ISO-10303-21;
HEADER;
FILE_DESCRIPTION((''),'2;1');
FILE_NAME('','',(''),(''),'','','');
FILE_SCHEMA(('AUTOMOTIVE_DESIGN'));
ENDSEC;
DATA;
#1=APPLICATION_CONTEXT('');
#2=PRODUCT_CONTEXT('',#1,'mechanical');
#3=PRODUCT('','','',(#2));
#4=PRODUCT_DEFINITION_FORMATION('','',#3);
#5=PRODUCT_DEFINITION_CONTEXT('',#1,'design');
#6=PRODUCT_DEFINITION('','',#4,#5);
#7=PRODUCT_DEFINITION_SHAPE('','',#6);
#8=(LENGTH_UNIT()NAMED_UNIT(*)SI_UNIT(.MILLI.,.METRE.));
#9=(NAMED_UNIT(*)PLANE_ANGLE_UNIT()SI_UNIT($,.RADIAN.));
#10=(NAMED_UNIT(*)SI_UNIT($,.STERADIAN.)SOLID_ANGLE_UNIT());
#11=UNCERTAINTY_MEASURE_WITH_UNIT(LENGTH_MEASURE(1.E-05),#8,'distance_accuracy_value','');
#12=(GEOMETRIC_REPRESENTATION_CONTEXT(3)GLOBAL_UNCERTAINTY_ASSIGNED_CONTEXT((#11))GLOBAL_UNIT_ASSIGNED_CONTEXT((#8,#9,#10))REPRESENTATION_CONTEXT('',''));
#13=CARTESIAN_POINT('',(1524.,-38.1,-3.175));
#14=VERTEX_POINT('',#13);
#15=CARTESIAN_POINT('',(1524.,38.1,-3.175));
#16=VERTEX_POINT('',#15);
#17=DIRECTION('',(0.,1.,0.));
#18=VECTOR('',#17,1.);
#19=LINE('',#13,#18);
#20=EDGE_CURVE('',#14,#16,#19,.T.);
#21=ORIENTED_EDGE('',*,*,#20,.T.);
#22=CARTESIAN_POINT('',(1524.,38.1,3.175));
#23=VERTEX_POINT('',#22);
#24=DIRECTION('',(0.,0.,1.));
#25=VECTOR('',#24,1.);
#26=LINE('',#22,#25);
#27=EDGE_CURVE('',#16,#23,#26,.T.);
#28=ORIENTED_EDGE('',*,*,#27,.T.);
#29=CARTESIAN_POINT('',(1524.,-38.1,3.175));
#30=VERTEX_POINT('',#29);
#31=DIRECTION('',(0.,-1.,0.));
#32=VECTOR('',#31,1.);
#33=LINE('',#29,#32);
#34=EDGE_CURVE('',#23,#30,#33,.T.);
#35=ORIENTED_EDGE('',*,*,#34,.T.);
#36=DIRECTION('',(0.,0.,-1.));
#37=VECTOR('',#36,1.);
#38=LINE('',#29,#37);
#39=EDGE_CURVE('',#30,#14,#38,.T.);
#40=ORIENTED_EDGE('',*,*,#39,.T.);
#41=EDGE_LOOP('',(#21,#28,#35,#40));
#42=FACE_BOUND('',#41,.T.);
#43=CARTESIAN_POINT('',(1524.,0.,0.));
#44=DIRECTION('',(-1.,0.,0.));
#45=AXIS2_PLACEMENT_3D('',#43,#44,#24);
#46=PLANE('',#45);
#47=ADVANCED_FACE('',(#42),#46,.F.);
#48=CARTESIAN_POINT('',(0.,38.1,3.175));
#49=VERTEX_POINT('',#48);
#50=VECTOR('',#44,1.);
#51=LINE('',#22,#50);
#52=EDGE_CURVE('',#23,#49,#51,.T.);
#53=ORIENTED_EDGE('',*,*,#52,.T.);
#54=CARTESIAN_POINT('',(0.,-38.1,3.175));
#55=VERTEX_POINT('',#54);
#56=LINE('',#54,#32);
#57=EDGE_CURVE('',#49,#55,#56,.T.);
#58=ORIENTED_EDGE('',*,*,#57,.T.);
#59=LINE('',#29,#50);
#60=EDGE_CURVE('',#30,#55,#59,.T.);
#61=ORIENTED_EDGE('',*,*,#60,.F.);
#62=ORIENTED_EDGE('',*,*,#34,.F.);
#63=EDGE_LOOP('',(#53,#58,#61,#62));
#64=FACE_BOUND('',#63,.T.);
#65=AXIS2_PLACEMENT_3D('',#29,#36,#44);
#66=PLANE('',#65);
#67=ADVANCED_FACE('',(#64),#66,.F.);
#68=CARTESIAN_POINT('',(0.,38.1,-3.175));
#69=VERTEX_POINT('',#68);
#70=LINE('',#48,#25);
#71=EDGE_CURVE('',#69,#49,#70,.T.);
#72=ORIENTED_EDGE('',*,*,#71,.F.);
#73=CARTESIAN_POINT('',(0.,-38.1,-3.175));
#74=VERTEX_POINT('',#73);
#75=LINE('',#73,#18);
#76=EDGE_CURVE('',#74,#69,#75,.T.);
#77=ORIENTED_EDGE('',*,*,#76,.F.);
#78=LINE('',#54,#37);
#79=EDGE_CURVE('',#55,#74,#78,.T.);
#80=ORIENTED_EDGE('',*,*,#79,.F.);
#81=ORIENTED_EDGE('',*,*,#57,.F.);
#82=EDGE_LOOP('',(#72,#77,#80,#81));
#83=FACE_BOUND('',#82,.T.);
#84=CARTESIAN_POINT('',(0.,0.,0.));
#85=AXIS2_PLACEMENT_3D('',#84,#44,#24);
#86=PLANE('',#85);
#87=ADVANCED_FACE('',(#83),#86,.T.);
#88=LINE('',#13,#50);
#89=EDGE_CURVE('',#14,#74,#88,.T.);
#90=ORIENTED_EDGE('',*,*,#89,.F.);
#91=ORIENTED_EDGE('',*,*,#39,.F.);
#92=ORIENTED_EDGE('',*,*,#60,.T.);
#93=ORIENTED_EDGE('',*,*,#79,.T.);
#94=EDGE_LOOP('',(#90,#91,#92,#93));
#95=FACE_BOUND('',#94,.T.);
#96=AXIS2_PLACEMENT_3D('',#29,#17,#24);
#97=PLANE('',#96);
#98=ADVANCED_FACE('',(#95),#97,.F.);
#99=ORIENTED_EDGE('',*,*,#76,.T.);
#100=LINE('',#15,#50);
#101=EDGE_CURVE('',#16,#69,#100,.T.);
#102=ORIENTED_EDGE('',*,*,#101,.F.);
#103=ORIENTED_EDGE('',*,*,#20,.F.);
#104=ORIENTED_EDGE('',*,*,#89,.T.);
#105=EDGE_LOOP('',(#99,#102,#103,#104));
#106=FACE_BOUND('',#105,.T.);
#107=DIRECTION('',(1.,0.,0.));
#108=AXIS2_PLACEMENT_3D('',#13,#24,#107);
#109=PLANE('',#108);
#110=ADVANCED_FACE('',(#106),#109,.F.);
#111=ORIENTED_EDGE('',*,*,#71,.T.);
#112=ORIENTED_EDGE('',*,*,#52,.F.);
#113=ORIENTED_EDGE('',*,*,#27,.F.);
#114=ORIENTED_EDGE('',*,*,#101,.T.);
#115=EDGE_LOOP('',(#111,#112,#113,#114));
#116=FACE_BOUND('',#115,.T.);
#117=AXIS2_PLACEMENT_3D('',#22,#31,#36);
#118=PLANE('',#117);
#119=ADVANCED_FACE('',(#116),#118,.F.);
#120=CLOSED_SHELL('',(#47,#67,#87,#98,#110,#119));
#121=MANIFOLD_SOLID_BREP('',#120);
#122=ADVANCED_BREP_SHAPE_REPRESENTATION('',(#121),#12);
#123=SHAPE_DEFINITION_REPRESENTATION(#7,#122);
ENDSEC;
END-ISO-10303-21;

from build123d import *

# Parameters (mm, degrees)
SKETCH1_W           = 6.35
SKETCH1_H           = 76.2
BOSS_EXTRUDE1_DEPTH = 1524


with BuildPart() as part:
    # Sketch1 → Boss-Extrude1 (new body)
    with BuildSketch(Plane(origin=(0, 0, 0), x_dir=(0, 0, -1), z_dir=(1, 0, 0))):
        Rectangle(SKETCH1_W, SKETCH1_H)
    extrude(amount=BOSS_EXTRUDE1_DEPTH)


solid = part.part
